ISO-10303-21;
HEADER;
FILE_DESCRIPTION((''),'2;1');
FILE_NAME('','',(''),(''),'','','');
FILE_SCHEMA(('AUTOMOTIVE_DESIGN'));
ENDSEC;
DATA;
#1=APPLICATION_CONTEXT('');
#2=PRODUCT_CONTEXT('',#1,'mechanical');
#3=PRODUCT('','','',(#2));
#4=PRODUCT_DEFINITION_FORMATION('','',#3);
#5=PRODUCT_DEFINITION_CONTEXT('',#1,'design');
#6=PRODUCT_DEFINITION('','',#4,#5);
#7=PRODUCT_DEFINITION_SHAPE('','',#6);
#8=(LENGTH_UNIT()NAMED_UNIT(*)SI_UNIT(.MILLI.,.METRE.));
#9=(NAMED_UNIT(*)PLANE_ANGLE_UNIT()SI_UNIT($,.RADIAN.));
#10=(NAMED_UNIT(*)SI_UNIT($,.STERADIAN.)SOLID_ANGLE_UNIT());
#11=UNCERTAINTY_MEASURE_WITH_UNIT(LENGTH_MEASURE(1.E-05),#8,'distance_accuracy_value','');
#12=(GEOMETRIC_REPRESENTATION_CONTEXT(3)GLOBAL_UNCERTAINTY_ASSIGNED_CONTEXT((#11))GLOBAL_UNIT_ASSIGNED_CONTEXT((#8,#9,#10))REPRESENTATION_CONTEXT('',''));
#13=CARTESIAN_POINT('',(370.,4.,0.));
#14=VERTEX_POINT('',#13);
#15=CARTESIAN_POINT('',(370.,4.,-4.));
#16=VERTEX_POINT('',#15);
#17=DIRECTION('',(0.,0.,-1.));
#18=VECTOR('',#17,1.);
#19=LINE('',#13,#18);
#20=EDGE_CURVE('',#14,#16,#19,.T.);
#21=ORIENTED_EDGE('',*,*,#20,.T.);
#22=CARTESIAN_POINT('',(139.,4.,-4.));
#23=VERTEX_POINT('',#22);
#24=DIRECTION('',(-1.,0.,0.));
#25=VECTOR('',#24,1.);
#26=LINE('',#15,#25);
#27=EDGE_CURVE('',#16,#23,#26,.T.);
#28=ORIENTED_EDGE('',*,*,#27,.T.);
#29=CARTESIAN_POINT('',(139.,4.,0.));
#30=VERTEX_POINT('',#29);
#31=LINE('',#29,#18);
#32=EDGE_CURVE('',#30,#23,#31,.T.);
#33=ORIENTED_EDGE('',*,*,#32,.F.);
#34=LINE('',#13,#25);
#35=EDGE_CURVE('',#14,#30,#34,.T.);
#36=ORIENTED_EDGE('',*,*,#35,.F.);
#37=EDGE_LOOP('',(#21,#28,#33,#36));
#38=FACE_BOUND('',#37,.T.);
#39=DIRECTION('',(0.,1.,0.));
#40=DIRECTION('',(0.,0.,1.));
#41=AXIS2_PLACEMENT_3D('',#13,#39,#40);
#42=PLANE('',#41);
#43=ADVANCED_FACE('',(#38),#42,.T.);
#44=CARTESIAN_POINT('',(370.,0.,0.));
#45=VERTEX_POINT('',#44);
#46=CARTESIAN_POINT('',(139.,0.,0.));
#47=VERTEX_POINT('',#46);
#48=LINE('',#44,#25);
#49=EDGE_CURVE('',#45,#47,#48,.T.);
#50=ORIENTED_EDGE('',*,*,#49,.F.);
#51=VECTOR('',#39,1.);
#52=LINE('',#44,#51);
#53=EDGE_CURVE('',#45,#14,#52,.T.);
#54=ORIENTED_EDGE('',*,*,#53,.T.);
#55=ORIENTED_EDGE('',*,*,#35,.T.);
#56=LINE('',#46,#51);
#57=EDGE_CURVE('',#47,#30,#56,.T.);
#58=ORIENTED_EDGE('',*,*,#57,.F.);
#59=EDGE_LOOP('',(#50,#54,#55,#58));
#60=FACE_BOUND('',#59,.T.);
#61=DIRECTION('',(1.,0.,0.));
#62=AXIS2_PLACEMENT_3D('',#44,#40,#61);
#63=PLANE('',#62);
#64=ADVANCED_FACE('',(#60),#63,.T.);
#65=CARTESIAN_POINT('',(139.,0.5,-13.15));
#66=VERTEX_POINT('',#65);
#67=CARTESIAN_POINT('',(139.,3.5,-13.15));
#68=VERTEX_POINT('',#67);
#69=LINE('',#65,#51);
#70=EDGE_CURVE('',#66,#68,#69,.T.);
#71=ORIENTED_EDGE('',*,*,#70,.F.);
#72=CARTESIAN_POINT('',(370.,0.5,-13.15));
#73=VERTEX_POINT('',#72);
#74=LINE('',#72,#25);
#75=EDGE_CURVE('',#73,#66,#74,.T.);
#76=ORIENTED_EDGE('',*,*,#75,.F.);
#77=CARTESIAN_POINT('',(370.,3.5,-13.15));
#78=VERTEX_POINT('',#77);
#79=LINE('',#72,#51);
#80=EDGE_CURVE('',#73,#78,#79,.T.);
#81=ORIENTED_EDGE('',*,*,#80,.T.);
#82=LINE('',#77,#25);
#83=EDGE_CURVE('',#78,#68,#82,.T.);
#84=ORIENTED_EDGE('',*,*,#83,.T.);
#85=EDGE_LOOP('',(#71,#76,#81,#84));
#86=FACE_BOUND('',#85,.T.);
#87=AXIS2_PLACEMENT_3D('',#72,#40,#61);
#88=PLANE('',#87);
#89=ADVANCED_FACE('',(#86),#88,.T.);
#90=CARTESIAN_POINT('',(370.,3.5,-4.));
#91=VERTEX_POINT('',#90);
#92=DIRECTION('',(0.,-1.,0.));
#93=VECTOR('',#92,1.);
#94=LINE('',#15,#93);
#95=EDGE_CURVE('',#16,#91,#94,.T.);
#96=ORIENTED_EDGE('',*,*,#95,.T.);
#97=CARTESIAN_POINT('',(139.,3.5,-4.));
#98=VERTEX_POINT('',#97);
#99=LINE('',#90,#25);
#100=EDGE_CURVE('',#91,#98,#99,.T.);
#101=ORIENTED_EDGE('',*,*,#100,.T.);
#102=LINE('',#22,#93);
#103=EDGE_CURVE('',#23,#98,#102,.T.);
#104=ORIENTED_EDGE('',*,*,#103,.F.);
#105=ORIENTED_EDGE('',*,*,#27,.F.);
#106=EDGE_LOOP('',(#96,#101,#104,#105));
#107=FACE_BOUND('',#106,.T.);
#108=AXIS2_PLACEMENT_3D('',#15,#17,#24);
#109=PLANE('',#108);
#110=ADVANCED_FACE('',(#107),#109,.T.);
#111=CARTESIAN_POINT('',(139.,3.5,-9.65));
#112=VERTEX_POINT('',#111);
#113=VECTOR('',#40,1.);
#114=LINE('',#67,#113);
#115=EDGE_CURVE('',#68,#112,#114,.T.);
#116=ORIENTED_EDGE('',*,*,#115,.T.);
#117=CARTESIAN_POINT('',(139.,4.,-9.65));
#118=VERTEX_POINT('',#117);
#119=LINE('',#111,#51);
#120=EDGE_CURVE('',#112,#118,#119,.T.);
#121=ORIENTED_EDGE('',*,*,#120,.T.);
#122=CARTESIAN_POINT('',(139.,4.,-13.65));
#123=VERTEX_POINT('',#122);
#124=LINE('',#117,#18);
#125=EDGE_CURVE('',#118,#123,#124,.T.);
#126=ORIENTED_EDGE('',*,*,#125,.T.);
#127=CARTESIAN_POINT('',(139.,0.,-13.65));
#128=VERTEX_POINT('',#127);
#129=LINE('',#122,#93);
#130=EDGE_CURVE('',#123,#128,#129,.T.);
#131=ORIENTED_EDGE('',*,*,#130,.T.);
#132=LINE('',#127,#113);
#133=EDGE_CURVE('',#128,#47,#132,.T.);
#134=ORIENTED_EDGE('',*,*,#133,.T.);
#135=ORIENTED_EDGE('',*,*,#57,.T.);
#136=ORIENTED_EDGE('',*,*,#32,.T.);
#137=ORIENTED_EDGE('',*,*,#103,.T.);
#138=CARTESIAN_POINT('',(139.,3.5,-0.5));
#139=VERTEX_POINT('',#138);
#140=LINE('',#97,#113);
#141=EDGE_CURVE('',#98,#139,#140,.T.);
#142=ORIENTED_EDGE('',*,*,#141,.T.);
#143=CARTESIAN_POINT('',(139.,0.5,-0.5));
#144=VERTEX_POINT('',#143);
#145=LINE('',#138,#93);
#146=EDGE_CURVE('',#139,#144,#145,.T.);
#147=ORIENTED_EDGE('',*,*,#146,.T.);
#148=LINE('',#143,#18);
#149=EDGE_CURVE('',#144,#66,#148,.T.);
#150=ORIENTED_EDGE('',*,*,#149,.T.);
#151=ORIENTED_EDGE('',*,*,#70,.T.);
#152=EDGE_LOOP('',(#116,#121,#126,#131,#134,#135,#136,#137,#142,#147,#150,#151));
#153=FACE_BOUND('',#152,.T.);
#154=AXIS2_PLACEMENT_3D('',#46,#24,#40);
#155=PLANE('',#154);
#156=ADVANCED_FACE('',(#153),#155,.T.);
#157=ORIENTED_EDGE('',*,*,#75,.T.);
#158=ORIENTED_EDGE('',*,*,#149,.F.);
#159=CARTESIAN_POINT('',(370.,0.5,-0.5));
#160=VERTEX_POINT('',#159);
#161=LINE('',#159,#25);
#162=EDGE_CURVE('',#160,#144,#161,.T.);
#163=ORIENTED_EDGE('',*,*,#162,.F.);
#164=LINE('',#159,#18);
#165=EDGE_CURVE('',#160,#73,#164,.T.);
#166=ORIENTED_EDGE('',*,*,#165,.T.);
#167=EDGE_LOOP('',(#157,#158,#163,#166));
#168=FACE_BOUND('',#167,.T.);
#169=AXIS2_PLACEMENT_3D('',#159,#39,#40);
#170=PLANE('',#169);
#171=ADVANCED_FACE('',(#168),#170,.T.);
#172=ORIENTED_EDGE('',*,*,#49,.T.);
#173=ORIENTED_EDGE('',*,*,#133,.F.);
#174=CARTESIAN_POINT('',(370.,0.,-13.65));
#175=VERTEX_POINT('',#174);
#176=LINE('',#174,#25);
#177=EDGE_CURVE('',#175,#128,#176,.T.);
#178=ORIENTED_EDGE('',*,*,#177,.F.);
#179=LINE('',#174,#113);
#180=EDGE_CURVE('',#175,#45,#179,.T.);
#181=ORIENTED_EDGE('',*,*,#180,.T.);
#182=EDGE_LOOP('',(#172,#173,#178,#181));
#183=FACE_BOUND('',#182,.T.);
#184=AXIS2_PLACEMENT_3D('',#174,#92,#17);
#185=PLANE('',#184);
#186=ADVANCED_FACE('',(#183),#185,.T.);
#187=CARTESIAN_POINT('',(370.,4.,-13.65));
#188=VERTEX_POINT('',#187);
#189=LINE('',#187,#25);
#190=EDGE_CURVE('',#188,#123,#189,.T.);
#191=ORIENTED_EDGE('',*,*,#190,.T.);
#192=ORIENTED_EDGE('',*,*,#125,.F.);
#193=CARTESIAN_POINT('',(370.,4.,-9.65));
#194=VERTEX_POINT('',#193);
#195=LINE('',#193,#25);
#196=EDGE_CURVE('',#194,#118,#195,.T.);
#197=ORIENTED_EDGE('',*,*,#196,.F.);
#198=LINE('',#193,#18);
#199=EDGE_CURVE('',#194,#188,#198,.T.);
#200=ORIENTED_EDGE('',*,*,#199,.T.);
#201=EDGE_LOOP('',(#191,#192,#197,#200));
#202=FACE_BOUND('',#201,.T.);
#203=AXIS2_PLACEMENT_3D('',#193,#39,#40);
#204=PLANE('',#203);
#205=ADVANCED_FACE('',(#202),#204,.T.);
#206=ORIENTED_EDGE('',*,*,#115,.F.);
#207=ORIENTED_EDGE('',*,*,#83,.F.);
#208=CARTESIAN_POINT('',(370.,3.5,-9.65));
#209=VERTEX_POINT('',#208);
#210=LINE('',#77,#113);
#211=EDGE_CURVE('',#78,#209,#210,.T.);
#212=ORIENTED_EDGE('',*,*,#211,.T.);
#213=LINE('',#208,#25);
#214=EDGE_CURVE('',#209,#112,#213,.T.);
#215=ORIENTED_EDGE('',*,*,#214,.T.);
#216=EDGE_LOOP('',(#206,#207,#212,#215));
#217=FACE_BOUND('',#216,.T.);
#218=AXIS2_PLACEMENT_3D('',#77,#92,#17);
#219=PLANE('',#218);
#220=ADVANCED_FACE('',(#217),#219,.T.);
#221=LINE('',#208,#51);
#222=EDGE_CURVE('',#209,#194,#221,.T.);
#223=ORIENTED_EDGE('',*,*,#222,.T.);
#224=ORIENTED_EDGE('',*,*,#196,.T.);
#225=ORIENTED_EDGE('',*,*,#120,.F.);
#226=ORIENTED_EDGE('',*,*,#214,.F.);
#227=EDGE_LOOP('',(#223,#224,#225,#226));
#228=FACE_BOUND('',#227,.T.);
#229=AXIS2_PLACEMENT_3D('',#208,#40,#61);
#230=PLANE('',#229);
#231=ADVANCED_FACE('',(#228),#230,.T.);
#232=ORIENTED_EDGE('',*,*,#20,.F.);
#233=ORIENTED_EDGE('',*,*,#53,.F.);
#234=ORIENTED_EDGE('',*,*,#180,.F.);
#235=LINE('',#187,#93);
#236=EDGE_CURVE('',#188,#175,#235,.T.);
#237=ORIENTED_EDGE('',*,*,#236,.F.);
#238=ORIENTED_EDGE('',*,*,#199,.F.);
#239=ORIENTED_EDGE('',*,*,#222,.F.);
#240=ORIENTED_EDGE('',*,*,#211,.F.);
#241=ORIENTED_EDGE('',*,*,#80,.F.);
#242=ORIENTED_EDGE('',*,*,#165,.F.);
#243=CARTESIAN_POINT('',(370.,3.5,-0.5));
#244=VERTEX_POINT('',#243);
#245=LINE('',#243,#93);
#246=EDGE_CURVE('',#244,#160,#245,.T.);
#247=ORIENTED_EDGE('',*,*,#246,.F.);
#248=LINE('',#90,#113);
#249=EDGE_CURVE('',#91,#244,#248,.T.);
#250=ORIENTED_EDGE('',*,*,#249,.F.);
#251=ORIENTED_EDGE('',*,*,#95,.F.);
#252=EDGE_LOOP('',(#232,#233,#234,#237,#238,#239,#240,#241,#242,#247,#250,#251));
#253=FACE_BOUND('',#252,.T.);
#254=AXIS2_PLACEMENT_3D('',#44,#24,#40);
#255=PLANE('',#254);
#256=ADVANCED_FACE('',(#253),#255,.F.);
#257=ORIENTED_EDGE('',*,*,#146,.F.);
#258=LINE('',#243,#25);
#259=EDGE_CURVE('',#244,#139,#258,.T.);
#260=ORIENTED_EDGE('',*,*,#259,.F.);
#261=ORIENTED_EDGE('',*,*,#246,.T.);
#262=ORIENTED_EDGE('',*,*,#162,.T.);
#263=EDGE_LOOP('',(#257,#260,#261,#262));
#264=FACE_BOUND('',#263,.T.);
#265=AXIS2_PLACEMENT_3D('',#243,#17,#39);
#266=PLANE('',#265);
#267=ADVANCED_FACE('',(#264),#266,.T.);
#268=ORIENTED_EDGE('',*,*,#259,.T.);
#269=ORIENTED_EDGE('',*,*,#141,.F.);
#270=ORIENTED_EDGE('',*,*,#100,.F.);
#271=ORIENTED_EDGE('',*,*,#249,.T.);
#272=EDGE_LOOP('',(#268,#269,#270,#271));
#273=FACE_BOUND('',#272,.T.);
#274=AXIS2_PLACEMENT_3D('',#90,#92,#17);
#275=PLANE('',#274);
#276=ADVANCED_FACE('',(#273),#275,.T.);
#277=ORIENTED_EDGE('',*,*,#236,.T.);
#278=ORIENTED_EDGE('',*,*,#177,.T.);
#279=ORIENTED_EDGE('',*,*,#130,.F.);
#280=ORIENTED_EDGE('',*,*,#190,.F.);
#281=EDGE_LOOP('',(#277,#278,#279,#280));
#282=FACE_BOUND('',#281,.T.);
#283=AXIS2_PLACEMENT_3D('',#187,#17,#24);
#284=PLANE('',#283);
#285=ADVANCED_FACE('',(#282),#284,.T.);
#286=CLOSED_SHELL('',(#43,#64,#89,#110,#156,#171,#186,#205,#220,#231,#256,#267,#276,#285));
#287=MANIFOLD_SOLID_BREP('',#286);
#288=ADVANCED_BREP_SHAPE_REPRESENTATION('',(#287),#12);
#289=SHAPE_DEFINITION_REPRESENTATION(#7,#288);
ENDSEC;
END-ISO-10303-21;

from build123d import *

# Parameters (mm, degrees)
Y_KSEKLIK_EKSTR_ZYON1_DEPTH      = 370
Y_KSEKLIK_EKSTR_ZYON2_DEPTH      = 2
Y_KSEKLIK_EKSTR_ZYON2_DEPTH_BACK = 141
KES_EKSTR_ZYON1_DEPTH            = 141


with BuildPart() as part:
    # Çizim1 → Yükseklik-Ekstrüzyon1 (new body)
    with BuildSketch(Plane(origin=(0, 0, 0), x_dir=(0, -1, 0), z_dir=(-1, 0, 0))):
        Polygon((0, 0), (-4, 0), (-4, -4), (-3.5, -4), (-3.5, -0.5), (-0.5, -0.5), (-0.5, -13.15), (-3.5, -13.15), (-3.5, -9.65), (-4, -9.65), (-4, -13.65), (0, -13.65), align=None)
    extrude(amount=-Y_KSEKLIK_EKSTR_ZYON1_DEPTH)

    # Çizim3 → Yükseklik-Ekstrüzyon2 (add, two sides: drawn at the far end of the back side and taken through both)
    with BuildSketch(Plane.ZY.offset(-Y_KSEKLIK_EKSTR_ZYON2_DEPTH_BACK)):
        Polygon((-13.65, 0), (-13.65, 4), (-9.65, 4), (-9.65, 3.5), (-13.15, 3.5), (-13.15, 0.5), (-0.5, 0.5), (-0.5, 3.5), (-4, 3.5), (-4, 4), (0, 4), (0, 0), align=None)
    extrude(amount=Y_KSEKLIK_EKSTR_ZYON2_DEPTH + Y_KSEKLIK_EKSTR_ZYON2_DEPTH_BACK)

    # Çizim5 → Kes-Ekstrüzyon1 (cut)
    with BuildSketch(Plane.ZY.offset(2)):
        Polygon((-13.65, 4), (-13.65, 0), (0, 0), (0, 4), (-4, 4), (-4, 3.5), (-0.5, 3.5), (-0.5, 0.5), (-13.15, 0.5), (-13.15, 3.5), (-9.65, 3.5), (-9.65, 4), align=None)
    extrude(amount=-KES_EKSTR_ZYON1_DEPTH, mode=Mode.SUBTRACT)


solid = part.part
